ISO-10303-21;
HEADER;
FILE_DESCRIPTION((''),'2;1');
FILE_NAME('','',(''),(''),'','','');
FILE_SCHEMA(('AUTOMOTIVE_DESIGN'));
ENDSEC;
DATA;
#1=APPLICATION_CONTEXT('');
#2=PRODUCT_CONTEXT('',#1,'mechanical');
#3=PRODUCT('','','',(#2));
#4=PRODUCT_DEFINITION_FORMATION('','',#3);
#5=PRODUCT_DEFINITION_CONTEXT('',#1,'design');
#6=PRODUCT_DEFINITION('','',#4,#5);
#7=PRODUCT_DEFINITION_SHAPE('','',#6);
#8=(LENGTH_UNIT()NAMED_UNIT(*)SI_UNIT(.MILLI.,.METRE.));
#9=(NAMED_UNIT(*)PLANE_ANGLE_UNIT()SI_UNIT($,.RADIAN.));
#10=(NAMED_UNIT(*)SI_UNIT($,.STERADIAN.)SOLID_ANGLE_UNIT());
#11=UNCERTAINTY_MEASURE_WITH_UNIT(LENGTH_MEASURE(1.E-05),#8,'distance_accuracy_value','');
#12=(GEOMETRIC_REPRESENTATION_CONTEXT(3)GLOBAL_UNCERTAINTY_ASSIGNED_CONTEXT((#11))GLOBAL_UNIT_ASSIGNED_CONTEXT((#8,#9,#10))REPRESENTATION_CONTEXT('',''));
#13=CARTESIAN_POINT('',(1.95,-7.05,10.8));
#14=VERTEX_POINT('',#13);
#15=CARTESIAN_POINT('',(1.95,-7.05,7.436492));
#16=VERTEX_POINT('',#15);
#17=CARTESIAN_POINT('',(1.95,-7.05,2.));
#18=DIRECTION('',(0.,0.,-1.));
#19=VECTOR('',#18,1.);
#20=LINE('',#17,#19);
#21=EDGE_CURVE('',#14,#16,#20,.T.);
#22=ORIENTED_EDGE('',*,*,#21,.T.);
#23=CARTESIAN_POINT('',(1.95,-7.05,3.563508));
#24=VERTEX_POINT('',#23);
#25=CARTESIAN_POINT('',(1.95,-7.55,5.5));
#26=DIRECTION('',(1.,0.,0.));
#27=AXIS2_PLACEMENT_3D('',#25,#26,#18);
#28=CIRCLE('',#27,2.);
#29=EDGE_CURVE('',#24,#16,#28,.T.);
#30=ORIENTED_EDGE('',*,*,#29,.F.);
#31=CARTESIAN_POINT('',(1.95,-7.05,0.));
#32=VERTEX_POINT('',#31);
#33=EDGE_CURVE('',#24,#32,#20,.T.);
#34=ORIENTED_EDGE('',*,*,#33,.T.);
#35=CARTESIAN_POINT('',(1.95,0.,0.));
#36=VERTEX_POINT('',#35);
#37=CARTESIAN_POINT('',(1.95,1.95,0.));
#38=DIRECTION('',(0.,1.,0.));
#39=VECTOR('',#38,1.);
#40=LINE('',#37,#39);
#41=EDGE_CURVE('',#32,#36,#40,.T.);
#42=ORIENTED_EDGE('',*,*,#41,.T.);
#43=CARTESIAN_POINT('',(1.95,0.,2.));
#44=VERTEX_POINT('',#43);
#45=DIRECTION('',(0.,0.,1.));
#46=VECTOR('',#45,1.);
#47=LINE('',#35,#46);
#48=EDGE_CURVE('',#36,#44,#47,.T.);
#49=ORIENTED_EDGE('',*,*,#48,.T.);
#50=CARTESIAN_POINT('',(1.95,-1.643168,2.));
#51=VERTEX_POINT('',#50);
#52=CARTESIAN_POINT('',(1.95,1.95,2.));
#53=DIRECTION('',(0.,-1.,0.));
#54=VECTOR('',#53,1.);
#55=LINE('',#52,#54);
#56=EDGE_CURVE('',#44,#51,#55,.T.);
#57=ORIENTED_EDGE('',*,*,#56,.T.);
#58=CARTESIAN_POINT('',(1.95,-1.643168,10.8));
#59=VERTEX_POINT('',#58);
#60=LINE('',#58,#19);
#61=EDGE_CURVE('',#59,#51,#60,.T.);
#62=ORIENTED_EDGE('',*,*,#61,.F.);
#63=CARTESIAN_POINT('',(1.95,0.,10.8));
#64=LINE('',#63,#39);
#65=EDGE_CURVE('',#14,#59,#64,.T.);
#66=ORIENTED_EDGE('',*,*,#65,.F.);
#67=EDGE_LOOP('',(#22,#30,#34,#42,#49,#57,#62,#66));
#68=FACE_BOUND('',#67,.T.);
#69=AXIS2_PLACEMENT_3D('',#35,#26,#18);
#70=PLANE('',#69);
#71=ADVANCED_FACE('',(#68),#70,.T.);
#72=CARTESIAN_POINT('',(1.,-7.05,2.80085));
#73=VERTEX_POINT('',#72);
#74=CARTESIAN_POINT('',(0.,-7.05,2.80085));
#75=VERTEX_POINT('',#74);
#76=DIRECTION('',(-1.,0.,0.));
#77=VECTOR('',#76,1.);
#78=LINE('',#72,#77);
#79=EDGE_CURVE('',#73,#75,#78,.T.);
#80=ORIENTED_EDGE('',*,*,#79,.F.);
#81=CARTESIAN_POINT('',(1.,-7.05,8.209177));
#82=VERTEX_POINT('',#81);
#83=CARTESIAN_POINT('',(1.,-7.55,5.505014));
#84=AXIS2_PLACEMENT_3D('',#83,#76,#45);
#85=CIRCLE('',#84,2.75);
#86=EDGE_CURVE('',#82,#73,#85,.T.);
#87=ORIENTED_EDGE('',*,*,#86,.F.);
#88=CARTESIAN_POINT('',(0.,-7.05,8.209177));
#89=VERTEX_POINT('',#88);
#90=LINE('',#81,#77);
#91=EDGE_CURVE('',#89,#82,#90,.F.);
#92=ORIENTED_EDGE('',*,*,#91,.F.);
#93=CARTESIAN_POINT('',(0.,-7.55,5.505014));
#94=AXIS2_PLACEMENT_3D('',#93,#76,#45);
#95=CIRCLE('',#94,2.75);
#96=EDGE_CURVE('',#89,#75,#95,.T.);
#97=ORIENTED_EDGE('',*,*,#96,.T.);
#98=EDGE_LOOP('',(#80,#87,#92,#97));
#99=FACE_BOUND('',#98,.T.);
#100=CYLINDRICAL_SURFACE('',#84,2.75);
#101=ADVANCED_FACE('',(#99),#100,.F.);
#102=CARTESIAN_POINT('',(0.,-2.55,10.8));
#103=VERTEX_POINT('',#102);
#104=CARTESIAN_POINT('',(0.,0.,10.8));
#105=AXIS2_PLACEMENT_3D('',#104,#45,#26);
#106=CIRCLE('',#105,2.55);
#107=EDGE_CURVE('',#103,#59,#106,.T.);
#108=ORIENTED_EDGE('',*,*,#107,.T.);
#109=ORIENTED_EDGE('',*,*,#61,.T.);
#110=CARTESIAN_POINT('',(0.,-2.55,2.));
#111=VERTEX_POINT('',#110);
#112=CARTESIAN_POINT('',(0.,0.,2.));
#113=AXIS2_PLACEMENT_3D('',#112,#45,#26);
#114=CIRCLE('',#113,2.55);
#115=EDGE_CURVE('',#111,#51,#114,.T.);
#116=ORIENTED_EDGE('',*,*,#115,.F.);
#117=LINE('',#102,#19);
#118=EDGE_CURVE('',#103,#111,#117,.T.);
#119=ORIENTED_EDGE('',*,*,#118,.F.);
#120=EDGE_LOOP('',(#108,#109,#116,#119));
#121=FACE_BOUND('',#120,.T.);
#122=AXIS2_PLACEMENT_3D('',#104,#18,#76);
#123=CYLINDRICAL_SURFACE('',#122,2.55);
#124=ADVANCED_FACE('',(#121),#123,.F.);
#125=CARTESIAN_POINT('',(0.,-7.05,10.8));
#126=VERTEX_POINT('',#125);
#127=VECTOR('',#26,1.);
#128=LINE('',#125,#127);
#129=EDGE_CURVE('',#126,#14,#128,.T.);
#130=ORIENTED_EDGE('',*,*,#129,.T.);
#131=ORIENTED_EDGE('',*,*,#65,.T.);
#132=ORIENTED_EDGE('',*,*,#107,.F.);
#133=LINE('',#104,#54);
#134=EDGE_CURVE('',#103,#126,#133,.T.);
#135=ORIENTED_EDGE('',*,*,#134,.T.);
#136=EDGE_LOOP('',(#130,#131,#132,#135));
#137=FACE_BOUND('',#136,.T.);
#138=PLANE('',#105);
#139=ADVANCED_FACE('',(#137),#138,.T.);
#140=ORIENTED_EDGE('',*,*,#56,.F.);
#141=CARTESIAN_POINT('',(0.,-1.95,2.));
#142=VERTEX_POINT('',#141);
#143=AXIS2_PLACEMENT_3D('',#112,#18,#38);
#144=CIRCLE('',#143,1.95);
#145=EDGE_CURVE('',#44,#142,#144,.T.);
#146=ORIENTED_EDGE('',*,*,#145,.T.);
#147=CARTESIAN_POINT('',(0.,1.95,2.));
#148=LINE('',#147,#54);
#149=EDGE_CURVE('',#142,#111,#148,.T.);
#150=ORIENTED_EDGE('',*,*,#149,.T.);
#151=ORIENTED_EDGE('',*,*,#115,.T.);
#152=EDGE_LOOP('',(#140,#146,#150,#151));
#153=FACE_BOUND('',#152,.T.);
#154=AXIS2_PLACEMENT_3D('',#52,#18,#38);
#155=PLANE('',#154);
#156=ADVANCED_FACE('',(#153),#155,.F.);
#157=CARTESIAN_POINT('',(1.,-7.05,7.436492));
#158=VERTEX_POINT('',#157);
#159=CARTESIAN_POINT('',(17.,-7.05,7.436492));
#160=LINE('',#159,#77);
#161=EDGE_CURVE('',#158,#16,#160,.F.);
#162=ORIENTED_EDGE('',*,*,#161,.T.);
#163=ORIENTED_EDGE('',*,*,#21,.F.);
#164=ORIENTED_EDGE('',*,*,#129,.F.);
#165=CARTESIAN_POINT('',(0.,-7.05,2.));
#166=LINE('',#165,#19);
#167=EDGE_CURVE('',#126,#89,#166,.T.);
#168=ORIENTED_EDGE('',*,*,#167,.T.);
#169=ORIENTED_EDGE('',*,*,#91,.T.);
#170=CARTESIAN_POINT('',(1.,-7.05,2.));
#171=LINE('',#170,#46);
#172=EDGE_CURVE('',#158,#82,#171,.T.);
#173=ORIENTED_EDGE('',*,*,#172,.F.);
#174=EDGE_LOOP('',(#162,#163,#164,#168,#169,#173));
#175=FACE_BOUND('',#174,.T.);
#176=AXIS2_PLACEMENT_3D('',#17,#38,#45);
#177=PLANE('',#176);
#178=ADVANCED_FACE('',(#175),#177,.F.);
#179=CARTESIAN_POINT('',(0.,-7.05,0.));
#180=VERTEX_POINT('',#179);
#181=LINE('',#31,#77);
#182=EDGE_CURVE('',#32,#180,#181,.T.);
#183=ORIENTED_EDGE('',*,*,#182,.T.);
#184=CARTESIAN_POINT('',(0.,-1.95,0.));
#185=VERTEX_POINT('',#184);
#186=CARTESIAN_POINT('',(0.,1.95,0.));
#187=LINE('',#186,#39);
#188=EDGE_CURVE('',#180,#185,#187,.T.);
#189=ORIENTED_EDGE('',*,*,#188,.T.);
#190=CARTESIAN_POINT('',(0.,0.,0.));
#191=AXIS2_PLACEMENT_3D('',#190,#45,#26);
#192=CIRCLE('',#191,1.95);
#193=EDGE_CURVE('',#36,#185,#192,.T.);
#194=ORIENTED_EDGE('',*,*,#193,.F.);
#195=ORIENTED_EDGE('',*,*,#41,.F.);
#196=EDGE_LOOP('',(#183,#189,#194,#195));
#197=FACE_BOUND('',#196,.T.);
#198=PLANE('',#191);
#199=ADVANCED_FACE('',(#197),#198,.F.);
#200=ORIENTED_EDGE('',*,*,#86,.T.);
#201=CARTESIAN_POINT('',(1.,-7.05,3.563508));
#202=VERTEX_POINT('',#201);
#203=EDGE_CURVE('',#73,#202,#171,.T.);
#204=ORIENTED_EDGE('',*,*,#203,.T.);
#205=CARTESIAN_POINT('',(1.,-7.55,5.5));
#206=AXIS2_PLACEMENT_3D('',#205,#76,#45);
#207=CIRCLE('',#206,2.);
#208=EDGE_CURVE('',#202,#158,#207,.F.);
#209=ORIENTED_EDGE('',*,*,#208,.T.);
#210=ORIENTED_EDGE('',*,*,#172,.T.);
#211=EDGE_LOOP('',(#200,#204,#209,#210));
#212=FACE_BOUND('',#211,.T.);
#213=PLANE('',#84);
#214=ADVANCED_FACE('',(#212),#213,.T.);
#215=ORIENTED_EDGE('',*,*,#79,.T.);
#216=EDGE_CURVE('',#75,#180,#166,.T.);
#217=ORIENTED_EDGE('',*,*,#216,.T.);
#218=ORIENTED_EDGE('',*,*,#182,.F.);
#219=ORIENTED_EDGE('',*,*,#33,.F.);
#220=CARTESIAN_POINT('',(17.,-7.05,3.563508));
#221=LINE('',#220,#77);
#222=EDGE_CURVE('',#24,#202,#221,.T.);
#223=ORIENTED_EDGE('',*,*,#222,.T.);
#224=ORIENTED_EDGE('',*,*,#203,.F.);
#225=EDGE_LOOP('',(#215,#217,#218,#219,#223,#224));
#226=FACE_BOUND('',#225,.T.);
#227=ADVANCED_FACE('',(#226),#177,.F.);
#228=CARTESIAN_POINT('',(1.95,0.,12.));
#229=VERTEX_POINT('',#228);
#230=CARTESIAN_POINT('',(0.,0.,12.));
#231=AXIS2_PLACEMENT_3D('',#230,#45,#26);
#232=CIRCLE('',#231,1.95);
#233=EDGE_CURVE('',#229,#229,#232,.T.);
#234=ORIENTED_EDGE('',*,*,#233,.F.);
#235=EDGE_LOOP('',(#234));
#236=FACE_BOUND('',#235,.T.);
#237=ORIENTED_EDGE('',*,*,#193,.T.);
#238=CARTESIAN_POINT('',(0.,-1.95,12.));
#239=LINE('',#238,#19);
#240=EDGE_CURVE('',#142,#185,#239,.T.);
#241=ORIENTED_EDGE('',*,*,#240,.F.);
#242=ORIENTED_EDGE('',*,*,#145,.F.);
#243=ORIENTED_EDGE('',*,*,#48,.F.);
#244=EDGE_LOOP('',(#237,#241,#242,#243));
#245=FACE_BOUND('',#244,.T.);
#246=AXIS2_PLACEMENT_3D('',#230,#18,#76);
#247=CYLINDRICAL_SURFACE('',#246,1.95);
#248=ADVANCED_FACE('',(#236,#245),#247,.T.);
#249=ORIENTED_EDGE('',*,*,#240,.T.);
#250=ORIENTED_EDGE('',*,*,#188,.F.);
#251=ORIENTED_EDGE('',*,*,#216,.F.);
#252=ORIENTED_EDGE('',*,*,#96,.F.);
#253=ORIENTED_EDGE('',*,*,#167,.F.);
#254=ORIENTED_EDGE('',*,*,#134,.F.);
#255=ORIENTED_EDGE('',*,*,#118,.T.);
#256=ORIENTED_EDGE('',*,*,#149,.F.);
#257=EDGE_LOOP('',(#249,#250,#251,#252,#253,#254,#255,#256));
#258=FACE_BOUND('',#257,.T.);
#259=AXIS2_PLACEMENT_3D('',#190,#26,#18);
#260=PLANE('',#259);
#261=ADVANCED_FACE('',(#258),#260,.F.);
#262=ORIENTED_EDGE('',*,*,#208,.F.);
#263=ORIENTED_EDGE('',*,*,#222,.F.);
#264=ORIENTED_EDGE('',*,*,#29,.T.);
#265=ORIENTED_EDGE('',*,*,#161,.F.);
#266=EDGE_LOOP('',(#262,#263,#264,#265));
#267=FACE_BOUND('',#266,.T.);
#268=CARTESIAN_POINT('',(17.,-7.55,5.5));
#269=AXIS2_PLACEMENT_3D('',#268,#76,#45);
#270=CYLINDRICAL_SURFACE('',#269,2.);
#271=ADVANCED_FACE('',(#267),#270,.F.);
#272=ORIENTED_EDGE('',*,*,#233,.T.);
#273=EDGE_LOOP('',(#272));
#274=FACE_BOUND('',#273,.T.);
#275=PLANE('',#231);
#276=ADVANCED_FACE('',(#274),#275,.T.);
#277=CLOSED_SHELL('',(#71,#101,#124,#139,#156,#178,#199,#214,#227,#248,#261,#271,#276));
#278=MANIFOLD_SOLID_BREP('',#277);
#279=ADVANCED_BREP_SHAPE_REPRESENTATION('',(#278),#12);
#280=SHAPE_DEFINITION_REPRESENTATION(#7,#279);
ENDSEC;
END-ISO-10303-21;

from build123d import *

# Parameters (mm, degrees)
SKETCH_1_R          = 1.95
EXTRUDE_1_DEPTH     = 12
SKETCH_4_W          = 2
SKETCH_4_H          = 9
EXTRUDE_2_DEPTH     = 1.95
EXTRUDE_4_DEPTH     = 8.8
SKETCH_9_R          = 2
CUT_EXTRUDE_2_DEPTH = 17
SKETCH_13_R         = 2.75
CUT_EXTRUDE_6_DEPTH = 1
CUT_EXTRUDE_7_DEPTH = 13.389713


with BuildPart() as part:
    # 스케치1 → 보스-돌출1 (new body)
    with BuildSketch(Plane.XY):
        Circle(SKETCH_1_R)
    extrude(amount=EXTRUDE_1_DEPTH)

    # 스케치4 → 보스-돌출2 (add)
    with BuildSketch(Plane(origin=(0, 0, 0), x_dir=(0, 0, -1), z_dir=(1, 0, 0))):
        with Locations((-1, -2.55)):
            Rectangle(SKETCH_4_W, SKETCH_4_H)
    extrude(amount=EXTRUDE_2_DEPTH)

    # 스케치8 → 보스-돌출4 (add)
    with BuildSketch(Plane.XY.offset(2)):
        with BuildLine():
            ThreePointArc((1.95, -1.643168), (1.075273, -2.312204), (0, -2.55))
            Line((0, -2.55), (0, -7.05))
            Line((0, -7.05), (1.95, -7.05))
            Line((1.95, -7.05), (1.95, -1.643168))
        make_face()
    extrude(amount=EXTRUDE_4_DEPTH)

    # 스케치9 → 컷-돌출2 (cut)
    with BuildSketch(Plane.ZY):
        with Locations((5.5, -7.55)):
            Circle(SKETCH_9_R)
    extrude(amount=-CUT_EXTRUDE_2_DEPTH, mode=Mode.SUBTRACT)

    # 스케치13 → 컷-돌출6 (cut)
    with BuildSketch(Plane.ZY):
        with Locations((5.505014, -7.55)):
            Circle(SKETCH_13_R)
    extrude(amount=-CUT_EXTRUDE_6_DEPTH, mode=Mode.SUBTRACT)

    # 스케치12 → 컷-돌출7 (cut, through all)
    with BuildSketch(Plane.XY.offset(2)):
        with BuildLine():
            Line((1.95, 0), (1.95, 1.95))
            Line((1.95, 1.95), (0, 1.95))
            ThreePointArc((0, 1.95), (1.378858, 1.378858), (1.95, 0))
        make_face()
    extrude(amount=-CUT_EXTRUDE_7_DEPTH, mode=Mode.SUBTRACT)


solid = part.part
